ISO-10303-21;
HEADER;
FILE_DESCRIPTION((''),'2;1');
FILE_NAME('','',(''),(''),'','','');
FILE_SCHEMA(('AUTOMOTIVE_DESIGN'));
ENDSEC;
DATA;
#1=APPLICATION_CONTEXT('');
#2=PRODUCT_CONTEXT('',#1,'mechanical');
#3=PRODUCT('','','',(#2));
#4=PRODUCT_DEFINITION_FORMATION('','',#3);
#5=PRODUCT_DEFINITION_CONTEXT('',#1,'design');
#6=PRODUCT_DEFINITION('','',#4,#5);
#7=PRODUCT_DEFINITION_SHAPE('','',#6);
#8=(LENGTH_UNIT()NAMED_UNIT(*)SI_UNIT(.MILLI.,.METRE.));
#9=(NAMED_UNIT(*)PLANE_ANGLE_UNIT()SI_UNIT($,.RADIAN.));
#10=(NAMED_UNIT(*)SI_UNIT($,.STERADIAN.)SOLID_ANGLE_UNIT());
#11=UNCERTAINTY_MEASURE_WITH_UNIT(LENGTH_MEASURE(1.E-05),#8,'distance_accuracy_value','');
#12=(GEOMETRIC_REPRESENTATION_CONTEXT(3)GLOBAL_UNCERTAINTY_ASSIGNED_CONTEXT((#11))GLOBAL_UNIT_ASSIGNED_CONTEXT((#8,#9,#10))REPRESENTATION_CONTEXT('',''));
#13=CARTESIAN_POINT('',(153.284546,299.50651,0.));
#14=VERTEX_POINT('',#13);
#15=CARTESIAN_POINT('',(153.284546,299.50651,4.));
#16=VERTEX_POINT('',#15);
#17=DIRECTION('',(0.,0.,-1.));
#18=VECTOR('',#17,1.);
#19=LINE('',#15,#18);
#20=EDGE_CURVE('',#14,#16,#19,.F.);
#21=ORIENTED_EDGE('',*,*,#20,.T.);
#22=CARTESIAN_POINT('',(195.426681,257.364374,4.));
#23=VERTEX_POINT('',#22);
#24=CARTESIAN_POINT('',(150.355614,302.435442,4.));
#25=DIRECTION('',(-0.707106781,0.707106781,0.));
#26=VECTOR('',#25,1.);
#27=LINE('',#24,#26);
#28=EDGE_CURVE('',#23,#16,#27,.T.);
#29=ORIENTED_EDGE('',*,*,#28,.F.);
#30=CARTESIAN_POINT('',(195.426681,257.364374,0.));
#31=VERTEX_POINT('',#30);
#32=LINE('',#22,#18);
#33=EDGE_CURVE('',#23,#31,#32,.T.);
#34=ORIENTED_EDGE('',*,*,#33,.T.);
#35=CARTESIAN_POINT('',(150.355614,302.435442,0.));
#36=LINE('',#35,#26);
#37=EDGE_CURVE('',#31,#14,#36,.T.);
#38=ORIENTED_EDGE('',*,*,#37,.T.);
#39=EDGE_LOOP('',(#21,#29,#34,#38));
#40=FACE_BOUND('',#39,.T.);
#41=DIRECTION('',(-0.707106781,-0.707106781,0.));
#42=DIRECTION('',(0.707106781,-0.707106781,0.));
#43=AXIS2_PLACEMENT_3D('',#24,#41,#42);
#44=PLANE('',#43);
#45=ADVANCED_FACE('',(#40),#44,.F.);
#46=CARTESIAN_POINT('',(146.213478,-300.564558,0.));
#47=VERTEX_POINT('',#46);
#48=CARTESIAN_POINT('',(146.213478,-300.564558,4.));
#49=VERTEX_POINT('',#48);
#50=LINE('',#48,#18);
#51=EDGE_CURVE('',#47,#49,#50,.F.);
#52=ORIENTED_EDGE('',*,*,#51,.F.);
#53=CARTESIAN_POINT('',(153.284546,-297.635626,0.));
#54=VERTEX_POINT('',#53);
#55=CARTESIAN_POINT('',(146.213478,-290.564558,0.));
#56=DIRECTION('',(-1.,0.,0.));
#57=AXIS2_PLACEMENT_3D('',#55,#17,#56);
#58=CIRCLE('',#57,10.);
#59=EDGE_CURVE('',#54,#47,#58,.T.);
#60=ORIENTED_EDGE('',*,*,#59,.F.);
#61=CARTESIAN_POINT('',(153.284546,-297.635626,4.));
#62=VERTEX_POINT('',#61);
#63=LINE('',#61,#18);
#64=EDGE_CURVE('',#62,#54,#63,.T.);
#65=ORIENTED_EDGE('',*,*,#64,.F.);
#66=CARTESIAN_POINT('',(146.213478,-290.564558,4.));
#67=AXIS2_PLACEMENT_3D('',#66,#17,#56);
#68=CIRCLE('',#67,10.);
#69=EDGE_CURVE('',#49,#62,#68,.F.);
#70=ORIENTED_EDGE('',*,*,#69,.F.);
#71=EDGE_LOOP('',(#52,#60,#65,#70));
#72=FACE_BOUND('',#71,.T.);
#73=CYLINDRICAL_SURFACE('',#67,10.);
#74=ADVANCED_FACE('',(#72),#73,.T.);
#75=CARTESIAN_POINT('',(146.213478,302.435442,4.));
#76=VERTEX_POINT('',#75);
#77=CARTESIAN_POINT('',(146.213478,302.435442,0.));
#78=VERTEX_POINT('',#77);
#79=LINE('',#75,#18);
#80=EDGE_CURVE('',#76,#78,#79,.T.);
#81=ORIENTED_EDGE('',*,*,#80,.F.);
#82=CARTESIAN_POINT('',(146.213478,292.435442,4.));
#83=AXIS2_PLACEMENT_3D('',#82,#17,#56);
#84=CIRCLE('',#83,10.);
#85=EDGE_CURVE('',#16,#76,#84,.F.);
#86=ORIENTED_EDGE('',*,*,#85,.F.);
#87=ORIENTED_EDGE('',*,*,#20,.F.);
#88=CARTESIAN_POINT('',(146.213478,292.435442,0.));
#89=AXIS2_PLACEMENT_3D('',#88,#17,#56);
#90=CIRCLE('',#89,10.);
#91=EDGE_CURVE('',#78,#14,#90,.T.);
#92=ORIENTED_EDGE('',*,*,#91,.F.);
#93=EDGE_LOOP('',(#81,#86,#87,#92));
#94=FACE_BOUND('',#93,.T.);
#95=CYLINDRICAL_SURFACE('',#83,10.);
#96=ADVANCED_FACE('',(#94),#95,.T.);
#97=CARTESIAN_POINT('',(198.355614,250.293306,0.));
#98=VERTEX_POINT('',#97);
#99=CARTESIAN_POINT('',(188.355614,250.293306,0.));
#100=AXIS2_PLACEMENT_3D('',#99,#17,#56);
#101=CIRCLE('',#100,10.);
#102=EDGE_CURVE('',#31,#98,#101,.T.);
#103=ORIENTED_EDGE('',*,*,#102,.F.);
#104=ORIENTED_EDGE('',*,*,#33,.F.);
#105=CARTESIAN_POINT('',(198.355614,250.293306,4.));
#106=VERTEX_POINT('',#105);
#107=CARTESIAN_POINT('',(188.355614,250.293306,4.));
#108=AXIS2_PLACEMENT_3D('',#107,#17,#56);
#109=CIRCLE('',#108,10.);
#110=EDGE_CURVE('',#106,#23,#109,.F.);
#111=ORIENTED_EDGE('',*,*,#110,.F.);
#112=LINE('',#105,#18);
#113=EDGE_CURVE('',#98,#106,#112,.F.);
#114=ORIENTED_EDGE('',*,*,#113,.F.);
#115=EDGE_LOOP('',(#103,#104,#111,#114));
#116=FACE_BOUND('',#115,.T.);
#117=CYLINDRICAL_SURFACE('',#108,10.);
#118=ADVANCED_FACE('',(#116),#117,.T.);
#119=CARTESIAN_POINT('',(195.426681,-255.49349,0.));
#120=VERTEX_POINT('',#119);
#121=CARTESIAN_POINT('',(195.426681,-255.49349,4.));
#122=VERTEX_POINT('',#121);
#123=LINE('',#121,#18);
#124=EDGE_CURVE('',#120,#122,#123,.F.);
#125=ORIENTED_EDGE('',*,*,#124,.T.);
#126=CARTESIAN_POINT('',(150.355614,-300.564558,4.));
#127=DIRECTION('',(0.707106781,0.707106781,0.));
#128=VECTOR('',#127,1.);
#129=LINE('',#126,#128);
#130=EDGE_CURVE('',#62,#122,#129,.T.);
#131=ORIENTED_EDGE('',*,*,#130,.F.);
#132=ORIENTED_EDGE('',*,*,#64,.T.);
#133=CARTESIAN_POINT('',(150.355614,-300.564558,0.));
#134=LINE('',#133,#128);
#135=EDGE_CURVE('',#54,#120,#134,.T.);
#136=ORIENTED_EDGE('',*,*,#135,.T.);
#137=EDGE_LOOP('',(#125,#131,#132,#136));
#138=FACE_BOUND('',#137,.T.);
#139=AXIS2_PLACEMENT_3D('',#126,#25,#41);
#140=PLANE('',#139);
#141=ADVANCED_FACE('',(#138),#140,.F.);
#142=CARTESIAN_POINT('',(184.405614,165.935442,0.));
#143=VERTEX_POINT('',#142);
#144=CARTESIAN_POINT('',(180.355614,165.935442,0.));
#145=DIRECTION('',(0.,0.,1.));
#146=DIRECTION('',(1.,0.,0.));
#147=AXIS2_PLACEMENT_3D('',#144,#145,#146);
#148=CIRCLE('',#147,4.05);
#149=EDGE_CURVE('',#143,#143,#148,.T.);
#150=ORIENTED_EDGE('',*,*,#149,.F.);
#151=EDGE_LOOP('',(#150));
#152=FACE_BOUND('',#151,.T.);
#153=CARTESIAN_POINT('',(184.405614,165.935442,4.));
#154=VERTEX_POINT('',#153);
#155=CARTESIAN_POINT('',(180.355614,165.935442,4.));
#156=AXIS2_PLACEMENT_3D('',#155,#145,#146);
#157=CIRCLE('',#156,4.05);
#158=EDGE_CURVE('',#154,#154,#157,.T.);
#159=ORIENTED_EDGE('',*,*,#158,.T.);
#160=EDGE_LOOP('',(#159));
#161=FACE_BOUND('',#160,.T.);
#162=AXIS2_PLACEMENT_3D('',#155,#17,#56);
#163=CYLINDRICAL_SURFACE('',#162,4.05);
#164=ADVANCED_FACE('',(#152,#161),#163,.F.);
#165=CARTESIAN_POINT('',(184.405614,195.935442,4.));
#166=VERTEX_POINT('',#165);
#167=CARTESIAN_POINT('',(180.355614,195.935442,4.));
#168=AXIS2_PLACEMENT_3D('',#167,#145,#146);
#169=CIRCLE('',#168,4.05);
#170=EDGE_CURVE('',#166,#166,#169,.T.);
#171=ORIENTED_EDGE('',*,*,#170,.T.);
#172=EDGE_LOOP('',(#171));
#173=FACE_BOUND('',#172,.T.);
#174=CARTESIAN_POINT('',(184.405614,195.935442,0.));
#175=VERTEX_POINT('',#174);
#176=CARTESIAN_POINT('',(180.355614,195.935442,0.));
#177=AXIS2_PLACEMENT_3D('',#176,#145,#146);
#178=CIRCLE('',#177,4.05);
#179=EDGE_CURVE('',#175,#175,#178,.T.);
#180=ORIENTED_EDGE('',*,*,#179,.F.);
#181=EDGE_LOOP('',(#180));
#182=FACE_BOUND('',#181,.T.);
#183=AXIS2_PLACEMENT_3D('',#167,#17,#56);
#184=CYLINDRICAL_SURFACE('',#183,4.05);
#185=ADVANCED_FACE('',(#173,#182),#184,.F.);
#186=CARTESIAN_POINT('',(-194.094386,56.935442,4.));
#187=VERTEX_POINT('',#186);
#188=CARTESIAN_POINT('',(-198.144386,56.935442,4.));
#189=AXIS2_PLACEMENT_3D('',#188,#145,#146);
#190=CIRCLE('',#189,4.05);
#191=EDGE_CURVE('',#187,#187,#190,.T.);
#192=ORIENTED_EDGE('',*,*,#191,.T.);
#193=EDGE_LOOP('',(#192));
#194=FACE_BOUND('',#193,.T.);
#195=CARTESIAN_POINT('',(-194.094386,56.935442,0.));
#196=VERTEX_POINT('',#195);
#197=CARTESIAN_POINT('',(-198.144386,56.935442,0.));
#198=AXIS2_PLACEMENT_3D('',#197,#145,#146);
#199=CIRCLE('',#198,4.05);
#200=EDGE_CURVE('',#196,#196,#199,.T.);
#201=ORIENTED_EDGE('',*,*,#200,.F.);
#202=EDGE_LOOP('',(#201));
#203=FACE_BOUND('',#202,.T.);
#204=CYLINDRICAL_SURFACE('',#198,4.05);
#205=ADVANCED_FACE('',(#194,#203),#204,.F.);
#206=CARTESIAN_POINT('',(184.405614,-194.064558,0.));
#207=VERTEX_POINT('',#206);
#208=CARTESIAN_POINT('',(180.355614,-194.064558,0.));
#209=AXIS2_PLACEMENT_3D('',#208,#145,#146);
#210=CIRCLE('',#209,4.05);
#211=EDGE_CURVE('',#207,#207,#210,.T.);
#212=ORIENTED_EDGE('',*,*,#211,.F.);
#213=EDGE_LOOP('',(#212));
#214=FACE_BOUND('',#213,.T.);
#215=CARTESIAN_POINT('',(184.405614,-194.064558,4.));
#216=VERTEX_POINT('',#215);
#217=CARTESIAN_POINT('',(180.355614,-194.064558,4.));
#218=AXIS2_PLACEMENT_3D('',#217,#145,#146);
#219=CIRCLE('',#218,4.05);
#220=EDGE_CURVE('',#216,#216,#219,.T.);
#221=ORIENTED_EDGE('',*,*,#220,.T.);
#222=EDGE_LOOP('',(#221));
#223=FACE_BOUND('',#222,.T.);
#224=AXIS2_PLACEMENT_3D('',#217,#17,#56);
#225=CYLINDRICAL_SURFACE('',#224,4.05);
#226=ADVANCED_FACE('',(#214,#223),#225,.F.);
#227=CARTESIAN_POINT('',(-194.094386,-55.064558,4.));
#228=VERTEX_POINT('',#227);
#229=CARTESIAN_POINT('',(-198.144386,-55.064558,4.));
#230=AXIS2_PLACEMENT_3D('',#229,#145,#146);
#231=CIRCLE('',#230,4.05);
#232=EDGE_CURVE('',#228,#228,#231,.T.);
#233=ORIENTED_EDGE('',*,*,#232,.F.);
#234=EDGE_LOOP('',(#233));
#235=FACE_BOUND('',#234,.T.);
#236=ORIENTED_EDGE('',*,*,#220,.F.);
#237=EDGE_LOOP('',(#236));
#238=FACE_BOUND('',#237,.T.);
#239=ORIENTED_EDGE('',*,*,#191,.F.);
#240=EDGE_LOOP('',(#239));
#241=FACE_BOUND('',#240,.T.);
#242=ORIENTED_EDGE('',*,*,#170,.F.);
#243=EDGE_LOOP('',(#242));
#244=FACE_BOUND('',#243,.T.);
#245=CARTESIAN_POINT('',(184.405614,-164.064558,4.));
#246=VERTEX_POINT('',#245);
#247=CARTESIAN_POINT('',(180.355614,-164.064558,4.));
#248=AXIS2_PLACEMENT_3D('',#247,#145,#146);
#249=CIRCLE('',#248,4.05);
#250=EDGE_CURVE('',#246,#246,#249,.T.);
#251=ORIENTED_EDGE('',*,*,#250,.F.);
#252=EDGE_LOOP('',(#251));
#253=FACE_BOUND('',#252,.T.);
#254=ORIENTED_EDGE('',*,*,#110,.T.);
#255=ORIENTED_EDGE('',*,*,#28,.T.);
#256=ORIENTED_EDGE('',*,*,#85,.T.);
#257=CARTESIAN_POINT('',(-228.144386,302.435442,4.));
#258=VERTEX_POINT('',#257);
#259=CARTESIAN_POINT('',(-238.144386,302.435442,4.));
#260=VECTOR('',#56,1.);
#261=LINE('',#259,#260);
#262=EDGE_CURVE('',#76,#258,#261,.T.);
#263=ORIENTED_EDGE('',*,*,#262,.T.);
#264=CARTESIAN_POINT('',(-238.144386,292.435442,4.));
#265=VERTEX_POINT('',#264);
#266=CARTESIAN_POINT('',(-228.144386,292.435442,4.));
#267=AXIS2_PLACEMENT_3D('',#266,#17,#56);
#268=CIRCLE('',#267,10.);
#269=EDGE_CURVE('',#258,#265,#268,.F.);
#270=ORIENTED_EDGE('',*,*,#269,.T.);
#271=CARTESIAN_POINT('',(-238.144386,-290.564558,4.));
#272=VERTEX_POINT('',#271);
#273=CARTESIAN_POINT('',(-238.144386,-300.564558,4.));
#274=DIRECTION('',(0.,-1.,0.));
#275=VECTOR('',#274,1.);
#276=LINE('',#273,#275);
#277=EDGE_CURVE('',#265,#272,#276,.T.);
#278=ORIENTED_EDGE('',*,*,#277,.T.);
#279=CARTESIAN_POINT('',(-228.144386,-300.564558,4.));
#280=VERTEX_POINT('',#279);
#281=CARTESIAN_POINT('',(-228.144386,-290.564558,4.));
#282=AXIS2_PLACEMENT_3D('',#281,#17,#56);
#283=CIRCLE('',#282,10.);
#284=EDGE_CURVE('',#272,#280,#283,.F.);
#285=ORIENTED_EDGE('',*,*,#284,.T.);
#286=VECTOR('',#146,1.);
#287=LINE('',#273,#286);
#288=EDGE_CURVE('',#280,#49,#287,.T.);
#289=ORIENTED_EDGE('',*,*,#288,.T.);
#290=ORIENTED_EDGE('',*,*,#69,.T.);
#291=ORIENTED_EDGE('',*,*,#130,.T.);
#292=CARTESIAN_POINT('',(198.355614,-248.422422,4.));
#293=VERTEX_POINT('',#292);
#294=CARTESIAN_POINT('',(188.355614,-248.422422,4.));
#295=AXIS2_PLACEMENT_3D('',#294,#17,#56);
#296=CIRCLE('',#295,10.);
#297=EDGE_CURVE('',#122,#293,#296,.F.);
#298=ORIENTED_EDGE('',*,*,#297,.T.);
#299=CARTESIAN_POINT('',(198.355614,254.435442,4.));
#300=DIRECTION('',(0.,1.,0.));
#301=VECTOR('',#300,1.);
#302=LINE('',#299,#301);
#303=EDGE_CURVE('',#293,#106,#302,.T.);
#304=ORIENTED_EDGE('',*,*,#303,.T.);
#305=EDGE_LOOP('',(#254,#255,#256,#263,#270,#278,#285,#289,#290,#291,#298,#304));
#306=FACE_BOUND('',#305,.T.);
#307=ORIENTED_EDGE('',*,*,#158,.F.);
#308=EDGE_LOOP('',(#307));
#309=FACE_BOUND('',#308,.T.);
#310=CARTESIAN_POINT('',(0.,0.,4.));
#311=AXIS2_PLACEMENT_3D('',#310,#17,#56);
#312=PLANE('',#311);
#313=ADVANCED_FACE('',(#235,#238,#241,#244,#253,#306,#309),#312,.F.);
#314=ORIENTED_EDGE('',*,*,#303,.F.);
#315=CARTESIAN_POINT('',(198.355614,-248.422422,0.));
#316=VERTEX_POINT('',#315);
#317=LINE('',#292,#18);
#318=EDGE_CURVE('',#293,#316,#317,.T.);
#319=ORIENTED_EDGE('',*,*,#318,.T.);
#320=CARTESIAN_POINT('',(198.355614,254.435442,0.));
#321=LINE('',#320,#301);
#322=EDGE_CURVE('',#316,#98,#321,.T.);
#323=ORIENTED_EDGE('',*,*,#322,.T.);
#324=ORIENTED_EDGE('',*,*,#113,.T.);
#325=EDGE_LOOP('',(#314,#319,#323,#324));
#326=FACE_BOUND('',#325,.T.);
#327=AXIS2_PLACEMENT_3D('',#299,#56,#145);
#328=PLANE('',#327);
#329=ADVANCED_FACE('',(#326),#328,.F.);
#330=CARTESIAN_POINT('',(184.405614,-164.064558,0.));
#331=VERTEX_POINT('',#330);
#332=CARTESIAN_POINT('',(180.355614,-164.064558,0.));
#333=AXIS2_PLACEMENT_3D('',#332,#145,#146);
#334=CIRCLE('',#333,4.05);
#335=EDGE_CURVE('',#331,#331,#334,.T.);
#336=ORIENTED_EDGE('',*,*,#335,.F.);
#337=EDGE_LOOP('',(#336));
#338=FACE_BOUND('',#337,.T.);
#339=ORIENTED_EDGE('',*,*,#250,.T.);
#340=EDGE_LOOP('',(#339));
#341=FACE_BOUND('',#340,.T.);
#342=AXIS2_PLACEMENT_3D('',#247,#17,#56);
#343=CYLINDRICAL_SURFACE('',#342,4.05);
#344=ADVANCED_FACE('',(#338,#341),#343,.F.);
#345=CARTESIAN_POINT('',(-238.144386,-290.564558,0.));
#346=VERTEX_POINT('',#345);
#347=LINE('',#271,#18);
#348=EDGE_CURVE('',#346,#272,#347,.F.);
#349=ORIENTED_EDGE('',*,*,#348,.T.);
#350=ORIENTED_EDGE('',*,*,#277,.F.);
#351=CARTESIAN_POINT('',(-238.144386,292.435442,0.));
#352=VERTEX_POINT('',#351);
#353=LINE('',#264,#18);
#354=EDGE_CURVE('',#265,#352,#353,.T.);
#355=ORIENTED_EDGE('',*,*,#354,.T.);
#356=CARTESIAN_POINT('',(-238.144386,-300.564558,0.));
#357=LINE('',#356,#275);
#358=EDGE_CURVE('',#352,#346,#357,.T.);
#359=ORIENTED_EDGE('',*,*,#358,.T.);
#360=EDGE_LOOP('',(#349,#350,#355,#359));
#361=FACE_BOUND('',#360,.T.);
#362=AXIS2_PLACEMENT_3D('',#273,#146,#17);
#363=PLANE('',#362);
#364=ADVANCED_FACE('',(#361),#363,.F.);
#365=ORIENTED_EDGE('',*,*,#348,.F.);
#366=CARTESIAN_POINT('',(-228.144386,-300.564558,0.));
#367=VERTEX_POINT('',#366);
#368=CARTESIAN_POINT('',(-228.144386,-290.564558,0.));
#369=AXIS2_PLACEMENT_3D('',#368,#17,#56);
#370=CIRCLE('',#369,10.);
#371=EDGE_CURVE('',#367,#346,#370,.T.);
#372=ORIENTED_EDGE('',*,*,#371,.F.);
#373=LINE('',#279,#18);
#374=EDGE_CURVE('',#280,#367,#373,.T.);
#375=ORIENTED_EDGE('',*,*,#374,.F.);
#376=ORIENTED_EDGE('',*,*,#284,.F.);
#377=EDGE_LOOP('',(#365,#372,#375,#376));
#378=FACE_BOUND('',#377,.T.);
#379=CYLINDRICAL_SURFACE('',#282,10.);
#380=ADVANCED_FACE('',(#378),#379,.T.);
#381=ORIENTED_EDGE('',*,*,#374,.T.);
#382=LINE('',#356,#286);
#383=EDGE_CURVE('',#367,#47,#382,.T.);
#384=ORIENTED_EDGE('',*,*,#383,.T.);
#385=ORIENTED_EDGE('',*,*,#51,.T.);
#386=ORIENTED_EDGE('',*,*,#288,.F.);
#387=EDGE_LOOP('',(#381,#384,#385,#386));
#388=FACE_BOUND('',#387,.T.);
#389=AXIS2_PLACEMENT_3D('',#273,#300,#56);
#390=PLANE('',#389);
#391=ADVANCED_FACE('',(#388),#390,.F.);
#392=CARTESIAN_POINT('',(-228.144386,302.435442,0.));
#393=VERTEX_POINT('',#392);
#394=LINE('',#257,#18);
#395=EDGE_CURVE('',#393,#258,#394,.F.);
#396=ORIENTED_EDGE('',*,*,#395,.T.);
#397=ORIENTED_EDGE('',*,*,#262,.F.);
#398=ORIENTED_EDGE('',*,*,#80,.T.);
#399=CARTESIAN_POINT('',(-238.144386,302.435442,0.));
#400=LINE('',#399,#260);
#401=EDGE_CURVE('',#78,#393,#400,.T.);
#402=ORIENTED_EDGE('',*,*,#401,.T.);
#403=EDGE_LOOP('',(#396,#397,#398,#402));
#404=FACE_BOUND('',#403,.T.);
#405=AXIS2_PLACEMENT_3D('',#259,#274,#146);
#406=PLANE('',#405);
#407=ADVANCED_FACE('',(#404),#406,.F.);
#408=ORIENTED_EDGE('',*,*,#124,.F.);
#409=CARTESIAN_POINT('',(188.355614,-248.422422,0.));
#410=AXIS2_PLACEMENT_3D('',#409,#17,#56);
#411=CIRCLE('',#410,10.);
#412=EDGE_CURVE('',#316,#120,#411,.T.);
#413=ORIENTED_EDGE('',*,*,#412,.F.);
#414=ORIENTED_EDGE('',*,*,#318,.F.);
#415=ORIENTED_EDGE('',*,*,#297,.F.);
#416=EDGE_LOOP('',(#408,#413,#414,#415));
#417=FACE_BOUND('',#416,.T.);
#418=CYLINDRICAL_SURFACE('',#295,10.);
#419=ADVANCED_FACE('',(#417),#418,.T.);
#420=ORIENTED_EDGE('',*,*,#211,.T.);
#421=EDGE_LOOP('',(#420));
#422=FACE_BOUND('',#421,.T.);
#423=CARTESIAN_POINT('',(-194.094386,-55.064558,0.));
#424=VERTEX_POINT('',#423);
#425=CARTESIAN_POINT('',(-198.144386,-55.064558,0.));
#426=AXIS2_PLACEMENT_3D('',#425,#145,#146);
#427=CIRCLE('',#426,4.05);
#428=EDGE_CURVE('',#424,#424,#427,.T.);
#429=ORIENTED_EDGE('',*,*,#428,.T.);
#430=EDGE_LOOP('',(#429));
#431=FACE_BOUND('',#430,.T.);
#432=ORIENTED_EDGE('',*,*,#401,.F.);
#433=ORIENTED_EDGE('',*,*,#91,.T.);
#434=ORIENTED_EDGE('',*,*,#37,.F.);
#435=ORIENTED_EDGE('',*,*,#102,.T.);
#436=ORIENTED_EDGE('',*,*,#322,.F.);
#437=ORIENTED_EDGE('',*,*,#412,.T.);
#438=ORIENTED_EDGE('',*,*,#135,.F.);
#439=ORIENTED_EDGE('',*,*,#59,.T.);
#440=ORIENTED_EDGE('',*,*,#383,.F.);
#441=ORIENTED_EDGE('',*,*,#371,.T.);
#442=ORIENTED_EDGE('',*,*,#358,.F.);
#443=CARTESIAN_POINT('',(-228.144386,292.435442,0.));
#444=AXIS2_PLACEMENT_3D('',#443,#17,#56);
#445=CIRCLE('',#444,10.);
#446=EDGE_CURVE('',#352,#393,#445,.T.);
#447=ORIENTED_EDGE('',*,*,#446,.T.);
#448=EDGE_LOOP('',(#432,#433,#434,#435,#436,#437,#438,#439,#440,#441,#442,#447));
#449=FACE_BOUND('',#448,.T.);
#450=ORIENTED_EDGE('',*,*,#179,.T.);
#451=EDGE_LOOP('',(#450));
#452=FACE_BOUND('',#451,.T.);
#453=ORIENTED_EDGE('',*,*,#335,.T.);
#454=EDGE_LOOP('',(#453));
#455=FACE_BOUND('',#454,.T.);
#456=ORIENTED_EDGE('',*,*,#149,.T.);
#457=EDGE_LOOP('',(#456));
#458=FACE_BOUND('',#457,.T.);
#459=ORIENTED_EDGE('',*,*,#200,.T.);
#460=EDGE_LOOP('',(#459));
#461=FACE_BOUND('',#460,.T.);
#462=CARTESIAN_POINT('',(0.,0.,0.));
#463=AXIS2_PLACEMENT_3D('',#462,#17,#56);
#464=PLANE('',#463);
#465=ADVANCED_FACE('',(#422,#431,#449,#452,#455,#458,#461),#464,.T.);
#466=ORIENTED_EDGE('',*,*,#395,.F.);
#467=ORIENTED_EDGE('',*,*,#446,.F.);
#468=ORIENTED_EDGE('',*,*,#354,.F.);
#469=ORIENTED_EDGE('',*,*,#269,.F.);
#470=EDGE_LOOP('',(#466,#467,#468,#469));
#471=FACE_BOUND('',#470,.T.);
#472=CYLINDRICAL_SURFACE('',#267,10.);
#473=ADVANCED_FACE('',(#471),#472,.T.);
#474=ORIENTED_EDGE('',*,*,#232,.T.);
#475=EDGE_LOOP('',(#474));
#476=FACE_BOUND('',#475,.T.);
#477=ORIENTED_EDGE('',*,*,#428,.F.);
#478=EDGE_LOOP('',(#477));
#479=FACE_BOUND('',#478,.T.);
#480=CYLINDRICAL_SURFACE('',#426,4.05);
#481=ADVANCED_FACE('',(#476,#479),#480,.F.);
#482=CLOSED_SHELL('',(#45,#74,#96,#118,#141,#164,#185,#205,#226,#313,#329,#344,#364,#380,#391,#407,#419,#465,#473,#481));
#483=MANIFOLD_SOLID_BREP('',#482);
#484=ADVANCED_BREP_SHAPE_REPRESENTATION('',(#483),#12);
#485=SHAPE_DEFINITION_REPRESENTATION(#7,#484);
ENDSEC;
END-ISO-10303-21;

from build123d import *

# Parameters (mm, degrees)
SKETCH1_R           = 4.05
BOSS_EXTRUDE1_DEPTH = 4
FILLET1_R           = 10
SKETCH2_R           = 4.05
CUT_EXTRUDE1_DEPTH  = 4


with BuildPart() as part:
    # Sketch1 → Boss-Extrude1 (new body)
    with BuildSketch(Plane.XY):
        Polygon((198.355613631, 254.435441941), (198.355613631, -252.564558059), (150.355613631, -300.564558059), (-238.144386369, -300.564558059), (-238.144386369, 302.435441941), (150.355613631, 302.435441941), align=None)
        with Locations((180.355613631, 195.935441941)):
            Circle(SKETCH1_R, mode=Mode.SUBTRACT)
        with Locations((180.355613631, 165.935441941)):
            Circle(SKETCH1_R, mode=Mode.SUBTRACT)
        with Locations((180.355613631, -164.064558059)):
            Circle(SKETCH1_R, mode=Mode.SUBTRACT)
        with Locations((180.355613631, -194.064558059)):
            Circle(SKETCH1_R, mode=Mode.SUBTRACT)
    extrude(amount=BOSS_EXTRUDE1_DEPTH)

    # Fillet1
    fillet1_edges = [part.edges().sort_by_distance(p)[0] for p in [
        (-238.144386369, 302.435441941, 2),
        (150.355613631, 302.435441941, 2),
        (198.355613631, 254.435441941, 2),
        (198.355613631, -252.564558059, 2),
        (150.355613631, -300.564558059, 2),
        (-238.144386369, -300.564558059, 2),
    ]]
    fillet(fillet1_edges, radius=FILLET1_R)

    # Sketch2 → Cut-Extrude1 (cut)
    with BuildSketch(Plane.XY.offset(4)):
        with Locations((-198.144386369, 56.935441941)):
            Circle(SKETCH2_R)
        with Locations((-198.144386369, -55.064558059)):
            Circle(SKETCH2_R)
    extrude(amount=-CUT_EXTRUDE1_DEPTH, mode=Mode.SUBTRACT)


solid = part.part
